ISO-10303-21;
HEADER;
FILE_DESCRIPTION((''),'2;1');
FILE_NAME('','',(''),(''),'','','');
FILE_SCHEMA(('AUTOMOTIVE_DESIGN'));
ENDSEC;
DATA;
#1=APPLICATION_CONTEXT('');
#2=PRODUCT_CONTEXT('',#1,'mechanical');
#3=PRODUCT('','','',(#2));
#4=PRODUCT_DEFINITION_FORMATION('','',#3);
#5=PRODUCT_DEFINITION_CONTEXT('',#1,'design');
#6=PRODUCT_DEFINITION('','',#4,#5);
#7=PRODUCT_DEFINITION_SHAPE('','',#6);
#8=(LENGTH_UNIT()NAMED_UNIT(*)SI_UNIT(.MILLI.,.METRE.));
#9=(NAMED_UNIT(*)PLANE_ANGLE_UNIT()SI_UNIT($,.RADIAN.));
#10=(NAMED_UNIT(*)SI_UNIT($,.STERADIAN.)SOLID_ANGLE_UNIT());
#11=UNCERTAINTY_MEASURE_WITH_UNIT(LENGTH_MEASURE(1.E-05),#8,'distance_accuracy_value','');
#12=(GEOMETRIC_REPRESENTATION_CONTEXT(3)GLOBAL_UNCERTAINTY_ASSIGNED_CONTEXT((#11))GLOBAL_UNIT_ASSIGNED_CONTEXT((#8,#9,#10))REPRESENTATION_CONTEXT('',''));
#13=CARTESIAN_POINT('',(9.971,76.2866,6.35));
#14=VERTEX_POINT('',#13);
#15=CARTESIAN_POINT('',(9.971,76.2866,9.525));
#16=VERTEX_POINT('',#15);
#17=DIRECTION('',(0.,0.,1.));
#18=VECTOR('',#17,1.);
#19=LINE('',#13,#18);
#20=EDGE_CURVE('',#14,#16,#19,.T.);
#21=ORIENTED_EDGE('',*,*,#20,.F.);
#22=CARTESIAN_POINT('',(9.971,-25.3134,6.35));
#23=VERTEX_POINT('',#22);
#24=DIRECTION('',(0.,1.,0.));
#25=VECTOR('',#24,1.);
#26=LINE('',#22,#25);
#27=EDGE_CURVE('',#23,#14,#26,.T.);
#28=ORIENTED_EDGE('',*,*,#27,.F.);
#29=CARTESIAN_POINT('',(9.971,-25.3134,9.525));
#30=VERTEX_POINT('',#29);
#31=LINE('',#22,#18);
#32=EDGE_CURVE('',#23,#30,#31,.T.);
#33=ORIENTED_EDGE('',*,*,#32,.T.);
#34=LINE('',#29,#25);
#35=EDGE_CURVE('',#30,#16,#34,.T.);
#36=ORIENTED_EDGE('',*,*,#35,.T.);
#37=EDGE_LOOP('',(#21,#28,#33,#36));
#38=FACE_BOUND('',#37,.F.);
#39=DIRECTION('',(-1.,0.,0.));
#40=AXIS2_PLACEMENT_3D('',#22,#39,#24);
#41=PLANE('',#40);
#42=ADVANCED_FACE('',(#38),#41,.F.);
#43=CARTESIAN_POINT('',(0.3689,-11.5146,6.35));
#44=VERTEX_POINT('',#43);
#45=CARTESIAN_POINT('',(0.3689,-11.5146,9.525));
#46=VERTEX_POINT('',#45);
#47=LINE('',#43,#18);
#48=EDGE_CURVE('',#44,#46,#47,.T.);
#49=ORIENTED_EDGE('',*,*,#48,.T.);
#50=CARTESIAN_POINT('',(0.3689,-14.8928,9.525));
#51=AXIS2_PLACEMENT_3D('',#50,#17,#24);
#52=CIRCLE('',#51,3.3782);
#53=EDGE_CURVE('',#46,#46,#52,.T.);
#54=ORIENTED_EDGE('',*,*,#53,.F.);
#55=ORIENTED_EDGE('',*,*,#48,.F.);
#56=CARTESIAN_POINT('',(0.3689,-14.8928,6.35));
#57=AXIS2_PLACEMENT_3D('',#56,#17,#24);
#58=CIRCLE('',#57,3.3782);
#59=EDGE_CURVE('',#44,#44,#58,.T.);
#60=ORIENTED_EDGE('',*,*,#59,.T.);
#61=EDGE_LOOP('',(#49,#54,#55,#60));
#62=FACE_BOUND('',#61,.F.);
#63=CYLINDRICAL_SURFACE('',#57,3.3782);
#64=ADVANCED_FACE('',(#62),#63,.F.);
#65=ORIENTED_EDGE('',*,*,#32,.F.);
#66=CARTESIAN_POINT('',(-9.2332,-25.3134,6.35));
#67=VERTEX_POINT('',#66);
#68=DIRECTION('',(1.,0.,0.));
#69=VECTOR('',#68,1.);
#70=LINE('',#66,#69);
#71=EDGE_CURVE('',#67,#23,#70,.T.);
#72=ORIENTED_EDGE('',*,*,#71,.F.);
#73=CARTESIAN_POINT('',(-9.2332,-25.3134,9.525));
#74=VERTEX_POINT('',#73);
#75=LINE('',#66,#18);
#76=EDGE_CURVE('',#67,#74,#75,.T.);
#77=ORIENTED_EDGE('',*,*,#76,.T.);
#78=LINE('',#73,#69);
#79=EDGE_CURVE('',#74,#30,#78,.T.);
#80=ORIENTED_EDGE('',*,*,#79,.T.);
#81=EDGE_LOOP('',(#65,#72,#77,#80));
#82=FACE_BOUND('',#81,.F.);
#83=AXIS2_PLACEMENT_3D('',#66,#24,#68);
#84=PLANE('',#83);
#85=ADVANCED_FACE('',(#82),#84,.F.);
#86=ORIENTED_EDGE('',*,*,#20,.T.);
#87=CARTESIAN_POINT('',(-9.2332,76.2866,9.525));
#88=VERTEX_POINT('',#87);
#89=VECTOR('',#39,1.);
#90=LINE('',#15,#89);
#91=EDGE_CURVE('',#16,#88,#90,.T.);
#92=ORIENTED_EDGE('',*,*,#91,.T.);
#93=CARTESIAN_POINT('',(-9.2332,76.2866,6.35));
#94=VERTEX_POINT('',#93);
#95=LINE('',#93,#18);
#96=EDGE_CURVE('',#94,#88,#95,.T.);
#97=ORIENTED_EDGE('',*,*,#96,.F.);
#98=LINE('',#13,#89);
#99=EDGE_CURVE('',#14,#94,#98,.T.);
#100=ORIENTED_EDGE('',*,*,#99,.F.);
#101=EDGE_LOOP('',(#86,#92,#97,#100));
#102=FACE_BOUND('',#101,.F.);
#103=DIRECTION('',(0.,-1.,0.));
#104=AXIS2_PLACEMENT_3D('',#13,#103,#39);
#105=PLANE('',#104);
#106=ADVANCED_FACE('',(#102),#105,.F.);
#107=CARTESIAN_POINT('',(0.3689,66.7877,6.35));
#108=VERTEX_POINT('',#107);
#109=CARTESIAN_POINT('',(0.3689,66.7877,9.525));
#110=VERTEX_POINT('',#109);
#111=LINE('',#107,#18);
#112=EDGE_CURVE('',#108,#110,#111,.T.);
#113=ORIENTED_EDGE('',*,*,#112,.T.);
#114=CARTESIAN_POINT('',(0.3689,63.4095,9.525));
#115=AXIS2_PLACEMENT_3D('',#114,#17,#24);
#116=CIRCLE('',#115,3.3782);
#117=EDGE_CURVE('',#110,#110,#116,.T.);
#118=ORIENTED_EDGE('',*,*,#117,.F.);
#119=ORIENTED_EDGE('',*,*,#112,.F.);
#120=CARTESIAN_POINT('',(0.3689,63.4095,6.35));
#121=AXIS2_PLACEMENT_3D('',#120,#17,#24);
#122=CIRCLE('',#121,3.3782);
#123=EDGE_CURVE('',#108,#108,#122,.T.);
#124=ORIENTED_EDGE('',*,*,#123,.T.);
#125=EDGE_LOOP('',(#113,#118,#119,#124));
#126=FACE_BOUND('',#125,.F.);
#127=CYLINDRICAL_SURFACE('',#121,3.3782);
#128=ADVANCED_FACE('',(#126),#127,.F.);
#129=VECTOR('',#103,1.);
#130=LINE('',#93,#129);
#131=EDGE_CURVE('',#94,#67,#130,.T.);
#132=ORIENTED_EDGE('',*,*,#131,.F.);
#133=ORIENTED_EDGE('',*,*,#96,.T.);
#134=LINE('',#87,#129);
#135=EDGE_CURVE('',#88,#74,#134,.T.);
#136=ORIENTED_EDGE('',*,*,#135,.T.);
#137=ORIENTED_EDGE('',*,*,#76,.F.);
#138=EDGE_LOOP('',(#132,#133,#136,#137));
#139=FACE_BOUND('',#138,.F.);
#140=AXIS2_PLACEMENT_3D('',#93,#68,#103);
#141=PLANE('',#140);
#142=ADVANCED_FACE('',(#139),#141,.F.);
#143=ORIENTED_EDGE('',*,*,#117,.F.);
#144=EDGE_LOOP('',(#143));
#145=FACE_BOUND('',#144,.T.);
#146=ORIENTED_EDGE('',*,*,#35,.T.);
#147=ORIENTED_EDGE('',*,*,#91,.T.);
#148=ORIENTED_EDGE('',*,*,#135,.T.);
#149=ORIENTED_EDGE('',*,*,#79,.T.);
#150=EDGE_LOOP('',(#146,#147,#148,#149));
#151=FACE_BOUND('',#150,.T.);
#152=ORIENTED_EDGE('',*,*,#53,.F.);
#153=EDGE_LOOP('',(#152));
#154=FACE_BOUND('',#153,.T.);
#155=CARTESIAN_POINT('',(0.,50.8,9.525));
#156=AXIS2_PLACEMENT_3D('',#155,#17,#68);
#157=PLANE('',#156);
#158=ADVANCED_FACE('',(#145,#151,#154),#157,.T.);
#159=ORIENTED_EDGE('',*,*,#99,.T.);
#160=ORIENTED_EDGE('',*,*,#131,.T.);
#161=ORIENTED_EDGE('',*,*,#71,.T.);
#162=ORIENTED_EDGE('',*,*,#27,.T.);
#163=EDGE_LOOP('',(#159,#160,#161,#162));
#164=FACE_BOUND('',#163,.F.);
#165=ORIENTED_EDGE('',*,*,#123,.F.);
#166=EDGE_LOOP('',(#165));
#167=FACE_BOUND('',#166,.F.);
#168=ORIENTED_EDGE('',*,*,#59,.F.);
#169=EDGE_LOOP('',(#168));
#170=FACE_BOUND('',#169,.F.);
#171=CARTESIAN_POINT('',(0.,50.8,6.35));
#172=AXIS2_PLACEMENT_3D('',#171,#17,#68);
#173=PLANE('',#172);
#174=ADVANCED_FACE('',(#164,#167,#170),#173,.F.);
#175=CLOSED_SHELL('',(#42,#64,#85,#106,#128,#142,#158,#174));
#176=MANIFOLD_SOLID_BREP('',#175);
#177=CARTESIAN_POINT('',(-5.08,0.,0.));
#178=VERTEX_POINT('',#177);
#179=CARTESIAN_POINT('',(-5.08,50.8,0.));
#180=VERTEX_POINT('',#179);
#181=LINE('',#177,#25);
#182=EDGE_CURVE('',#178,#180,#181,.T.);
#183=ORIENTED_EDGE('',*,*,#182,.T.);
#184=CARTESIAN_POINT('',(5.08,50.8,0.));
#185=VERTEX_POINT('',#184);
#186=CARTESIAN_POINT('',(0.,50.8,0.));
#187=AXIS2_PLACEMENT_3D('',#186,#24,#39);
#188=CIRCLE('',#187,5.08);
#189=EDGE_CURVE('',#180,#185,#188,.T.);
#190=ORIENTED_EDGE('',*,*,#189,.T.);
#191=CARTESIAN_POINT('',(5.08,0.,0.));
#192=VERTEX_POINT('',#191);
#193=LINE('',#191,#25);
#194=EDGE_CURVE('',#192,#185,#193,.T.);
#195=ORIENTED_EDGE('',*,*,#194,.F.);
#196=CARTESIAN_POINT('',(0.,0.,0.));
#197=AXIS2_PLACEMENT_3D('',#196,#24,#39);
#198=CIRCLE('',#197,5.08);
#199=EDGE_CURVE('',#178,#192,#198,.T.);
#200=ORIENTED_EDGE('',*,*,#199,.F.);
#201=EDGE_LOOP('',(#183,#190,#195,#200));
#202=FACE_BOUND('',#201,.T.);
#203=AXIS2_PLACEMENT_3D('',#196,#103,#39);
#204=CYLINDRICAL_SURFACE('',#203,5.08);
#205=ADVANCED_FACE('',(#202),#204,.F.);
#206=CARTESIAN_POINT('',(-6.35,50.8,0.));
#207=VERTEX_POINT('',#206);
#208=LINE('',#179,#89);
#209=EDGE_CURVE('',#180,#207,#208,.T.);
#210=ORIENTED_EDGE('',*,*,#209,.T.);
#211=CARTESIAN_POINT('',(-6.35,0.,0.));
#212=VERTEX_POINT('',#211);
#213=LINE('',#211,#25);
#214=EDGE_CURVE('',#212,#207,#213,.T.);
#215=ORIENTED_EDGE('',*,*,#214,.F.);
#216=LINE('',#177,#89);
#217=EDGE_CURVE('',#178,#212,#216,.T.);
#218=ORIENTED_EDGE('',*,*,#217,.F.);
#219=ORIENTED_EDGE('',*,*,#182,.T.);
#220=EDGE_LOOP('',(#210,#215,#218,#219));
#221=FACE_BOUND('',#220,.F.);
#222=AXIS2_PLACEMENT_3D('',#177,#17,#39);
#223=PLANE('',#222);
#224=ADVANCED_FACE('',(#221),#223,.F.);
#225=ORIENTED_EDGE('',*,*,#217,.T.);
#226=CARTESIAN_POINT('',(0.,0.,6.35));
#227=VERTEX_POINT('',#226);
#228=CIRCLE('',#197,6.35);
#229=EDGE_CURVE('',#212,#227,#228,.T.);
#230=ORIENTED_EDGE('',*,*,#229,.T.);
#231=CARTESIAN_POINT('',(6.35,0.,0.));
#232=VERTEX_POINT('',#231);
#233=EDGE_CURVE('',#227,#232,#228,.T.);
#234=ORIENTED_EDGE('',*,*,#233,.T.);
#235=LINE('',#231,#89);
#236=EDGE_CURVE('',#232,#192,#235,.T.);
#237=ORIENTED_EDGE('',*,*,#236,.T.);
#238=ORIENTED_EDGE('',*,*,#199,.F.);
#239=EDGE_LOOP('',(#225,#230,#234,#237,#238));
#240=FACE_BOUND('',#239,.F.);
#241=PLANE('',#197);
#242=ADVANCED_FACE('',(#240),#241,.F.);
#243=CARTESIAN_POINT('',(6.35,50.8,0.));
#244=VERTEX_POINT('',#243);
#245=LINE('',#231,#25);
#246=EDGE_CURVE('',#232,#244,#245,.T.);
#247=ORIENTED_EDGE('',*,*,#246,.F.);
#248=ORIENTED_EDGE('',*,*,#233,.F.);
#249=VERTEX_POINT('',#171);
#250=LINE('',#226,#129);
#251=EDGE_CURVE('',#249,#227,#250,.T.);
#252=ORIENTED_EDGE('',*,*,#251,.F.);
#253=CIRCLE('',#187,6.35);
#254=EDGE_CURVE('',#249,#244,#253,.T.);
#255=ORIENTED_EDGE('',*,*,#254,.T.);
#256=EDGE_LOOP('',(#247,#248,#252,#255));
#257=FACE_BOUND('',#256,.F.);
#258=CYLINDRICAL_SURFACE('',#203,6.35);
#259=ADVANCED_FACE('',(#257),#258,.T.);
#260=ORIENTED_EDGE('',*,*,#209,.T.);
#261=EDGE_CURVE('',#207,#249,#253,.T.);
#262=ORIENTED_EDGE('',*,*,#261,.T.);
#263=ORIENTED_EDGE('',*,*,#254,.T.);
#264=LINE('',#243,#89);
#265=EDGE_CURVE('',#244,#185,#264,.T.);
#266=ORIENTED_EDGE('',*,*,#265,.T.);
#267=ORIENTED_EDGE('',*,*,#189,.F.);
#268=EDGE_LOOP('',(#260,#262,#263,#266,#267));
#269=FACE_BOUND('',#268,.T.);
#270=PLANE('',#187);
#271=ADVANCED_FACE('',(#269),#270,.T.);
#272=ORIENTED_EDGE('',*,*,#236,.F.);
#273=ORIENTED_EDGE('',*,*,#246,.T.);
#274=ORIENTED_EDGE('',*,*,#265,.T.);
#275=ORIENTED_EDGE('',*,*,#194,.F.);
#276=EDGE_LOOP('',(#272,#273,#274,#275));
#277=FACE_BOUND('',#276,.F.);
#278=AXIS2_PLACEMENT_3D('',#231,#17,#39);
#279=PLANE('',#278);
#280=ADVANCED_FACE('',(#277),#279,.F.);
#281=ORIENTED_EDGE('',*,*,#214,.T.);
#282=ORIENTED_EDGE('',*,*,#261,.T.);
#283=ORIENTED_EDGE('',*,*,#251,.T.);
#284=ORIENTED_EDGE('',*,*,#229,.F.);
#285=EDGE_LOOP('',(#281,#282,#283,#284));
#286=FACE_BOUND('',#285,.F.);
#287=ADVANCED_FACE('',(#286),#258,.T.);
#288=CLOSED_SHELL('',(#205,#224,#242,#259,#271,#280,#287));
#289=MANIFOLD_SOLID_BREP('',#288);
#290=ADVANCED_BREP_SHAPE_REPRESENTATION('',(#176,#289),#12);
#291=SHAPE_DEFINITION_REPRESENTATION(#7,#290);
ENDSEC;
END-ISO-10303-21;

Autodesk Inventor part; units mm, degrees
ref_plane "YZ Plane" through (0, 0, 0) normal (1, 0, 0) x (0, 1, 0)
ref_plane "XZ Plane" through (0, 0, 0) normal (0, 1, 0) x (-1, 0, 0)
sketch "Sketch1" plane through (0, 0, 0) normal (0, 1, 0) x (-1, 0, 0)
  arc A0 (6.35, 0) -> (-6.35, 0) centre (0, 0) ccw
  arc A1 (5.08, 0) -> (-5.08, 0) centre (0, 0) ccw
  line L0 (-6.35, 0) -> (-5.08, 0)
  line L1 (5.08, 0) -> (6.35, 0)
  dimension "d0" = 12.7
  dimension "d1" = 1.27
extrude "Extrusion1" add sketch "Sketch1" along normal blind 50.8
sketch "Sketch2" plane through (0, 50.8, 0) normal (0, 1, 0) x (1, 0, 0)
  arc A0 (-6.35, 0) -> (6.35, 0) centre (0, 0) ccw projected
  line L0 (6.35, 0) -> (5.08, 0) projected
  arc A1 (-5.08, 0) -> (5.08, 0) centre (0, 0) ccw projected
  line L1 (-5.08, 0) -> (-6.35, 0) projected
  point P0 (0, -6.35)
ref_plane "Work Plane1" through (0, 50.8, 6.35) normal (0, 0, 1) x (1, 0, 0)
sketch "Sketch3" plane through (0, 50.8, 6.35) normal (0, 0, 1) x (1, 0, 0)
  line L0 (-9.2332, -76.1134) -> (9.971, -76.1134)
  line L1 (9.971, -76.1134) -> (9.971, 25.4866)
  line L2 (9.971, 25.4866) -> (-9.2332, 25.4866)
  line L3 (-9.2332, 25.4866) -> (-9.2332, -76.1134)
  point P0 (0, -50.8)
  dimension "d4" = 101.6
extrude "Extrusion2" add sketch "Sketch3" along normal blind 3.175
sketch "Sketch4" plane through (0, 50.8, 6.35) normal (0, 0, -1) x (-1, 0, 0)
  circle A0 centre (-0.3689, 12.6095) radius 2.8969
  circle A1 centre (-0.3689, -65.6928) radius 3.2786
hole "Hole1" at (0.3689, 63.4095, 6.35) at (0.3689, -14.8928, 6.35) direction (0, 0, 1) diameter 6.7564 end through all clearance for "Flat Head Machine Screw (82)" size "1/4" standard "Ansi Unified Screw Threads"
properties part number "feedCableStay1"
